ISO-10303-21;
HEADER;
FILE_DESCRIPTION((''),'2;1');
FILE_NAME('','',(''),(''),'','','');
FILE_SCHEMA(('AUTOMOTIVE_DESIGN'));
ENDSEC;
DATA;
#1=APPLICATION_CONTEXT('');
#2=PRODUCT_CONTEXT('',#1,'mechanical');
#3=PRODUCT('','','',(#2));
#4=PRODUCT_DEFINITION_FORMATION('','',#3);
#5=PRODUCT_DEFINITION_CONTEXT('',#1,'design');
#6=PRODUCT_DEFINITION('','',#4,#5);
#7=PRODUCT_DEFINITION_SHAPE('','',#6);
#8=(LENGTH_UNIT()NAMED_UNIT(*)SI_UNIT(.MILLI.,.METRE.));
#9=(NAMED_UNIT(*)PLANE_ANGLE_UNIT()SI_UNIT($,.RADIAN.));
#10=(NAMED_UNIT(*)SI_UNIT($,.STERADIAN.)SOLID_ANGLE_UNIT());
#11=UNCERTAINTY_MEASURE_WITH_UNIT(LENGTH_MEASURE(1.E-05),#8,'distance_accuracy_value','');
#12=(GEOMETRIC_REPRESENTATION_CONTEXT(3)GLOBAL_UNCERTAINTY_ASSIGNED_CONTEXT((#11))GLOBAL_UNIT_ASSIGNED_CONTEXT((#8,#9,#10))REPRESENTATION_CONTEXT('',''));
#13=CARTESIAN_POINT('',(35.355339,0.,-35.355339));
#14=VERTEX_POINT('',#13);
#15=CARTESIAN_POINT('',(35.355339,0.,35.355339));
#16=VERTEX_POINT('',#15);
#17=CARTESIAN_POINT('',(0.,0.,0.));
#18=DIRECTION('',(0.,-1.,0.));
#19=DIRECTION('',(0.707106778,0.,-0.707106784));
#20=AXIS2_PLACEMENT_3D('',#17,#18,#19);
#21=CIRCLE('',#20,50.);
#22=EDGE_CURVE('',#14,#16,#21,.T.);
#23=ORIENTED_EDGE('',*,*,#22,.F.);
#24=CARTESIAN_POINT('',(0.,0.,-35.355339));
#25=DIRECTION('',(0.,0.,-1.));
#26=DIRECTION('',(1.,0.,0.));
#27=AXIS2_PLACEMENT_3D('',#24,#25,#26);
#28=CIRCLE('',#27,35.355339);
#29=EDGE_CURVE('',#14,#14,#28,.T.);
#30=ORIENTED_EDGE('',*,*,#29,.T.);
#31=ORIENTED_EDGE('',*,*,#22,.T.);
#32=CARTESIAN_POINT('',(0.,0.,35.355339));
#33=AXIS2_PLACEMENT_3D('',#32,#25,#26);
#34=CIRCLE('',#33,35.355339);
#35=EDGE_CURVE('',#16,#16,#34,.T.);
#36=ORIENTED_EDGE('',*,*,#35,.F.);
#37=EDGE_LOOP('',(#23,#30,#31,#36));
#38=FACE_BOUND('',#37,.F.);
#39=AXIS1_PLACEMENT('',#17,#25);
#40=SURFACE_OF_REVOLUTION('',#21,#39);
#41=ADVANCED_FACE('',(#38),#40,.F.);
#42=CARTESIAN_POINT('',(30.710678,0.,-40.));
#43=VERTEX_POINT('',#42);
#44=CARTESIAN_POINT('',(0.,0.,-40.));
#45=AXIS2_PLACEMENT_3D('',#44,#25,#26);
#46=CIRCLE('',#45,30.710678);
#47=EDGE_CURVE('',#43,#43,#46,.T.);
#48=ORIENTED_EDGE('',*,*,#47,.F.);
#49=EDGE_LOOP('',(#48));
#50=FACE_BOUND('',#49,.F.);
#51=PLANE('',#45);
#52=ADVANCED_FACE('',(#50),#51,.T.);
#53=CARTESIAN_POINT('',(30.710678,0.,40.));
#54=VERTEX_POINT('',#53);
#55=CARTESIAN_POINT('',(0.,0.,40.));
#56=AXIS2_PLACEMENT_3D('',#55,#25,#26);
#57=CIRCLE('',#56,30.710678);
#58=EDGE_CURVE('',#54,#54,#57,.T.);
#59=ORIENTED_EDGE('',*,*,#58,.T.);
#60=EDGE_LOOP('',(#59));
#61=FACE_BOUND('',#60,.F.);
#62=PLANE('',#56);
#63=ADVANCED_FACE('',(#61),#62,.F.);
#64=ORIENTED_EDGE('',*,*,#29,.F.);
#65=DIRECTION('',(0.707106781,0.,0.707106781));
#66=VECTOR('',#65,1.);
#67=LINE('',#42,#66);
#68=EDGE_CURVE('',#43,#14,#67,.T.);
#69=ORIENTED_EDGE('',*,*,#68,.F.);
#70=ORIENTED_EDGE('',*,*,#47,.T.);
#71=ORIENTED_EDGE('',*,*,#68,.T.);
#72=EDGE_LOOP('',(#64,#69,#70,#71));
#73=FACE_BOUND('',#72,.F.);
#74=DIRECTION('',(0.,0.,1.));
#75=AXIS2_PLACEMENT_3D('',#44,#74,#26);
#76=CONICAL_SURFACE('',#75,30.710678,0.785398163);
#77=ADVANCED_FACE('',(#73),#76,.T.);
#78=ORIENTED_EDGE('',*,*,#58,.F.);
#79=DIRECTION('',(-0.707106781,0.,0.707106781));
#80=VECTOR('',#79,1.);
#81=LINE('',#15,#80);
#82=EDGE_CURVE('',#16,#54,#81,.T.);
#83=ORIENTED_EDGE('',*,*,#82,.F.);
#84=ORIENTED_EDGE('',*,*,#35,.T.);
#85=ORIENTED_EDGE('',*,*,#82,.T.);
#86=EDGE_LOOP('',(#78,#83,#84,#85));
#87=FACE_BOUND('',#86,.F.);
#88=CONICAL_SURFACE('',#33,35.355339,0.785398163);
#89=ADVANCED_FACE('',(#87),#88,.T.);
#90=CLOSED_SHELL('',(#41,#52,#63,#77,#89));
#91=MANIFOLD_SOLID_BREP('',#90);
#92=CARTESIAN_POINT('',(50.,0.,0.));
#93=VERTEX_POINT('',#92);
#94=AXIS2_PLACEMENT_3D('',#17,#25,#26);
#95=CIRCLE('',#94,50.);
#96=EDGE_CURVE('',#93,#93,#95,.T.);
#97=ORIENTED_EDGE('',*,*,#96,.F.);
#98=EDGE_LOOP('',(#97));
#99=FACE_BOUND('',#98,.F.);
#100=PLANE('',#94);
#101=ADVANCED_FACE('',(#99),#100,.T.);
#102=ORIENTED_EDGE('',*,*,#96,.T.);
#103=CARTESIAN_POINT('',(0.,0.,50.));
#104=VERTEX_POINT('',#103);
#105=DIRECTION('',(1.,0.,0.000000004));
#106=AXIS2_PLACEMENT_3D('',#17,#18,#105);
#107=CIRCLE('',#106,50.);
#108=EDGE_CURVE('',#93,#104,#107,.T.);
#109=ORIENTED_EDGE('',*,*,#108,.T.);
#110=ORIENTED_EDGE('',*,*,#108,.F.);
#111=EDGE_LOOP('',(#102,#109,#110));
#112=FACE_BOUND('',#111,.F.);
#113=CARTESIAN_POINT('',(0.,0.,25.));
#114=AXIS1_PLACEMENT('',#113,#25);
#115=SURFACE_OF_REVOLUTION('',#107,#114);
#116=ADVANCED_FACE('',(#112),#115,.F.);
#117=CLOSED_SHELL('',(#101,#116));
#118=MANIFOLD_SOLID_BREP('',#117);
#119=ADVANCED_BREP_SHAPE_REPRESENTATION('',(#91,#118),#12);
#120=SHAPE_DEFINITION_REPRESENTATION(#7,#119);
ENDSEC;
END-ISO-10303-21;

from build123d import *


with BuildPart() as f1:
    # F0 (on Front) → F1 (revolve)
    with BuildSketch(Plane.XZ):
        with BuildLine():
            Line((0, 0), (50, 0))
            ThreePointArc((50, 0), (35.355339, 35.355339), (0, 50))
            Line((0, 50), (0, 0))
        make_face()
    revolve(axis=Axis((0, 0, 25), (0, 0, -1)))


with BuildPart() as f3:
    # F2 (on Front) → F3 (revolve)
    with BuildSketch(Plane.XZ):
        with BuildLine():
            Line((30.710678, -40), (35.355339, -35.355339))
            ThreePointArc((35.355339, -35.355339), (50, 0), (35.355339, 35.355339))
            Line((35.355339, 35.355339), (30.710678, 40))
            Line((30.710678, 40), (0, 40))
            Line((0, 40), (0, -40))
            Line((0, -40), (30.710678, -40))
        make_face()
    revolve(axis=Axis((0, 0, 0), (0, 0, -1)))


solid = Compound([f1.part, f3.part])
